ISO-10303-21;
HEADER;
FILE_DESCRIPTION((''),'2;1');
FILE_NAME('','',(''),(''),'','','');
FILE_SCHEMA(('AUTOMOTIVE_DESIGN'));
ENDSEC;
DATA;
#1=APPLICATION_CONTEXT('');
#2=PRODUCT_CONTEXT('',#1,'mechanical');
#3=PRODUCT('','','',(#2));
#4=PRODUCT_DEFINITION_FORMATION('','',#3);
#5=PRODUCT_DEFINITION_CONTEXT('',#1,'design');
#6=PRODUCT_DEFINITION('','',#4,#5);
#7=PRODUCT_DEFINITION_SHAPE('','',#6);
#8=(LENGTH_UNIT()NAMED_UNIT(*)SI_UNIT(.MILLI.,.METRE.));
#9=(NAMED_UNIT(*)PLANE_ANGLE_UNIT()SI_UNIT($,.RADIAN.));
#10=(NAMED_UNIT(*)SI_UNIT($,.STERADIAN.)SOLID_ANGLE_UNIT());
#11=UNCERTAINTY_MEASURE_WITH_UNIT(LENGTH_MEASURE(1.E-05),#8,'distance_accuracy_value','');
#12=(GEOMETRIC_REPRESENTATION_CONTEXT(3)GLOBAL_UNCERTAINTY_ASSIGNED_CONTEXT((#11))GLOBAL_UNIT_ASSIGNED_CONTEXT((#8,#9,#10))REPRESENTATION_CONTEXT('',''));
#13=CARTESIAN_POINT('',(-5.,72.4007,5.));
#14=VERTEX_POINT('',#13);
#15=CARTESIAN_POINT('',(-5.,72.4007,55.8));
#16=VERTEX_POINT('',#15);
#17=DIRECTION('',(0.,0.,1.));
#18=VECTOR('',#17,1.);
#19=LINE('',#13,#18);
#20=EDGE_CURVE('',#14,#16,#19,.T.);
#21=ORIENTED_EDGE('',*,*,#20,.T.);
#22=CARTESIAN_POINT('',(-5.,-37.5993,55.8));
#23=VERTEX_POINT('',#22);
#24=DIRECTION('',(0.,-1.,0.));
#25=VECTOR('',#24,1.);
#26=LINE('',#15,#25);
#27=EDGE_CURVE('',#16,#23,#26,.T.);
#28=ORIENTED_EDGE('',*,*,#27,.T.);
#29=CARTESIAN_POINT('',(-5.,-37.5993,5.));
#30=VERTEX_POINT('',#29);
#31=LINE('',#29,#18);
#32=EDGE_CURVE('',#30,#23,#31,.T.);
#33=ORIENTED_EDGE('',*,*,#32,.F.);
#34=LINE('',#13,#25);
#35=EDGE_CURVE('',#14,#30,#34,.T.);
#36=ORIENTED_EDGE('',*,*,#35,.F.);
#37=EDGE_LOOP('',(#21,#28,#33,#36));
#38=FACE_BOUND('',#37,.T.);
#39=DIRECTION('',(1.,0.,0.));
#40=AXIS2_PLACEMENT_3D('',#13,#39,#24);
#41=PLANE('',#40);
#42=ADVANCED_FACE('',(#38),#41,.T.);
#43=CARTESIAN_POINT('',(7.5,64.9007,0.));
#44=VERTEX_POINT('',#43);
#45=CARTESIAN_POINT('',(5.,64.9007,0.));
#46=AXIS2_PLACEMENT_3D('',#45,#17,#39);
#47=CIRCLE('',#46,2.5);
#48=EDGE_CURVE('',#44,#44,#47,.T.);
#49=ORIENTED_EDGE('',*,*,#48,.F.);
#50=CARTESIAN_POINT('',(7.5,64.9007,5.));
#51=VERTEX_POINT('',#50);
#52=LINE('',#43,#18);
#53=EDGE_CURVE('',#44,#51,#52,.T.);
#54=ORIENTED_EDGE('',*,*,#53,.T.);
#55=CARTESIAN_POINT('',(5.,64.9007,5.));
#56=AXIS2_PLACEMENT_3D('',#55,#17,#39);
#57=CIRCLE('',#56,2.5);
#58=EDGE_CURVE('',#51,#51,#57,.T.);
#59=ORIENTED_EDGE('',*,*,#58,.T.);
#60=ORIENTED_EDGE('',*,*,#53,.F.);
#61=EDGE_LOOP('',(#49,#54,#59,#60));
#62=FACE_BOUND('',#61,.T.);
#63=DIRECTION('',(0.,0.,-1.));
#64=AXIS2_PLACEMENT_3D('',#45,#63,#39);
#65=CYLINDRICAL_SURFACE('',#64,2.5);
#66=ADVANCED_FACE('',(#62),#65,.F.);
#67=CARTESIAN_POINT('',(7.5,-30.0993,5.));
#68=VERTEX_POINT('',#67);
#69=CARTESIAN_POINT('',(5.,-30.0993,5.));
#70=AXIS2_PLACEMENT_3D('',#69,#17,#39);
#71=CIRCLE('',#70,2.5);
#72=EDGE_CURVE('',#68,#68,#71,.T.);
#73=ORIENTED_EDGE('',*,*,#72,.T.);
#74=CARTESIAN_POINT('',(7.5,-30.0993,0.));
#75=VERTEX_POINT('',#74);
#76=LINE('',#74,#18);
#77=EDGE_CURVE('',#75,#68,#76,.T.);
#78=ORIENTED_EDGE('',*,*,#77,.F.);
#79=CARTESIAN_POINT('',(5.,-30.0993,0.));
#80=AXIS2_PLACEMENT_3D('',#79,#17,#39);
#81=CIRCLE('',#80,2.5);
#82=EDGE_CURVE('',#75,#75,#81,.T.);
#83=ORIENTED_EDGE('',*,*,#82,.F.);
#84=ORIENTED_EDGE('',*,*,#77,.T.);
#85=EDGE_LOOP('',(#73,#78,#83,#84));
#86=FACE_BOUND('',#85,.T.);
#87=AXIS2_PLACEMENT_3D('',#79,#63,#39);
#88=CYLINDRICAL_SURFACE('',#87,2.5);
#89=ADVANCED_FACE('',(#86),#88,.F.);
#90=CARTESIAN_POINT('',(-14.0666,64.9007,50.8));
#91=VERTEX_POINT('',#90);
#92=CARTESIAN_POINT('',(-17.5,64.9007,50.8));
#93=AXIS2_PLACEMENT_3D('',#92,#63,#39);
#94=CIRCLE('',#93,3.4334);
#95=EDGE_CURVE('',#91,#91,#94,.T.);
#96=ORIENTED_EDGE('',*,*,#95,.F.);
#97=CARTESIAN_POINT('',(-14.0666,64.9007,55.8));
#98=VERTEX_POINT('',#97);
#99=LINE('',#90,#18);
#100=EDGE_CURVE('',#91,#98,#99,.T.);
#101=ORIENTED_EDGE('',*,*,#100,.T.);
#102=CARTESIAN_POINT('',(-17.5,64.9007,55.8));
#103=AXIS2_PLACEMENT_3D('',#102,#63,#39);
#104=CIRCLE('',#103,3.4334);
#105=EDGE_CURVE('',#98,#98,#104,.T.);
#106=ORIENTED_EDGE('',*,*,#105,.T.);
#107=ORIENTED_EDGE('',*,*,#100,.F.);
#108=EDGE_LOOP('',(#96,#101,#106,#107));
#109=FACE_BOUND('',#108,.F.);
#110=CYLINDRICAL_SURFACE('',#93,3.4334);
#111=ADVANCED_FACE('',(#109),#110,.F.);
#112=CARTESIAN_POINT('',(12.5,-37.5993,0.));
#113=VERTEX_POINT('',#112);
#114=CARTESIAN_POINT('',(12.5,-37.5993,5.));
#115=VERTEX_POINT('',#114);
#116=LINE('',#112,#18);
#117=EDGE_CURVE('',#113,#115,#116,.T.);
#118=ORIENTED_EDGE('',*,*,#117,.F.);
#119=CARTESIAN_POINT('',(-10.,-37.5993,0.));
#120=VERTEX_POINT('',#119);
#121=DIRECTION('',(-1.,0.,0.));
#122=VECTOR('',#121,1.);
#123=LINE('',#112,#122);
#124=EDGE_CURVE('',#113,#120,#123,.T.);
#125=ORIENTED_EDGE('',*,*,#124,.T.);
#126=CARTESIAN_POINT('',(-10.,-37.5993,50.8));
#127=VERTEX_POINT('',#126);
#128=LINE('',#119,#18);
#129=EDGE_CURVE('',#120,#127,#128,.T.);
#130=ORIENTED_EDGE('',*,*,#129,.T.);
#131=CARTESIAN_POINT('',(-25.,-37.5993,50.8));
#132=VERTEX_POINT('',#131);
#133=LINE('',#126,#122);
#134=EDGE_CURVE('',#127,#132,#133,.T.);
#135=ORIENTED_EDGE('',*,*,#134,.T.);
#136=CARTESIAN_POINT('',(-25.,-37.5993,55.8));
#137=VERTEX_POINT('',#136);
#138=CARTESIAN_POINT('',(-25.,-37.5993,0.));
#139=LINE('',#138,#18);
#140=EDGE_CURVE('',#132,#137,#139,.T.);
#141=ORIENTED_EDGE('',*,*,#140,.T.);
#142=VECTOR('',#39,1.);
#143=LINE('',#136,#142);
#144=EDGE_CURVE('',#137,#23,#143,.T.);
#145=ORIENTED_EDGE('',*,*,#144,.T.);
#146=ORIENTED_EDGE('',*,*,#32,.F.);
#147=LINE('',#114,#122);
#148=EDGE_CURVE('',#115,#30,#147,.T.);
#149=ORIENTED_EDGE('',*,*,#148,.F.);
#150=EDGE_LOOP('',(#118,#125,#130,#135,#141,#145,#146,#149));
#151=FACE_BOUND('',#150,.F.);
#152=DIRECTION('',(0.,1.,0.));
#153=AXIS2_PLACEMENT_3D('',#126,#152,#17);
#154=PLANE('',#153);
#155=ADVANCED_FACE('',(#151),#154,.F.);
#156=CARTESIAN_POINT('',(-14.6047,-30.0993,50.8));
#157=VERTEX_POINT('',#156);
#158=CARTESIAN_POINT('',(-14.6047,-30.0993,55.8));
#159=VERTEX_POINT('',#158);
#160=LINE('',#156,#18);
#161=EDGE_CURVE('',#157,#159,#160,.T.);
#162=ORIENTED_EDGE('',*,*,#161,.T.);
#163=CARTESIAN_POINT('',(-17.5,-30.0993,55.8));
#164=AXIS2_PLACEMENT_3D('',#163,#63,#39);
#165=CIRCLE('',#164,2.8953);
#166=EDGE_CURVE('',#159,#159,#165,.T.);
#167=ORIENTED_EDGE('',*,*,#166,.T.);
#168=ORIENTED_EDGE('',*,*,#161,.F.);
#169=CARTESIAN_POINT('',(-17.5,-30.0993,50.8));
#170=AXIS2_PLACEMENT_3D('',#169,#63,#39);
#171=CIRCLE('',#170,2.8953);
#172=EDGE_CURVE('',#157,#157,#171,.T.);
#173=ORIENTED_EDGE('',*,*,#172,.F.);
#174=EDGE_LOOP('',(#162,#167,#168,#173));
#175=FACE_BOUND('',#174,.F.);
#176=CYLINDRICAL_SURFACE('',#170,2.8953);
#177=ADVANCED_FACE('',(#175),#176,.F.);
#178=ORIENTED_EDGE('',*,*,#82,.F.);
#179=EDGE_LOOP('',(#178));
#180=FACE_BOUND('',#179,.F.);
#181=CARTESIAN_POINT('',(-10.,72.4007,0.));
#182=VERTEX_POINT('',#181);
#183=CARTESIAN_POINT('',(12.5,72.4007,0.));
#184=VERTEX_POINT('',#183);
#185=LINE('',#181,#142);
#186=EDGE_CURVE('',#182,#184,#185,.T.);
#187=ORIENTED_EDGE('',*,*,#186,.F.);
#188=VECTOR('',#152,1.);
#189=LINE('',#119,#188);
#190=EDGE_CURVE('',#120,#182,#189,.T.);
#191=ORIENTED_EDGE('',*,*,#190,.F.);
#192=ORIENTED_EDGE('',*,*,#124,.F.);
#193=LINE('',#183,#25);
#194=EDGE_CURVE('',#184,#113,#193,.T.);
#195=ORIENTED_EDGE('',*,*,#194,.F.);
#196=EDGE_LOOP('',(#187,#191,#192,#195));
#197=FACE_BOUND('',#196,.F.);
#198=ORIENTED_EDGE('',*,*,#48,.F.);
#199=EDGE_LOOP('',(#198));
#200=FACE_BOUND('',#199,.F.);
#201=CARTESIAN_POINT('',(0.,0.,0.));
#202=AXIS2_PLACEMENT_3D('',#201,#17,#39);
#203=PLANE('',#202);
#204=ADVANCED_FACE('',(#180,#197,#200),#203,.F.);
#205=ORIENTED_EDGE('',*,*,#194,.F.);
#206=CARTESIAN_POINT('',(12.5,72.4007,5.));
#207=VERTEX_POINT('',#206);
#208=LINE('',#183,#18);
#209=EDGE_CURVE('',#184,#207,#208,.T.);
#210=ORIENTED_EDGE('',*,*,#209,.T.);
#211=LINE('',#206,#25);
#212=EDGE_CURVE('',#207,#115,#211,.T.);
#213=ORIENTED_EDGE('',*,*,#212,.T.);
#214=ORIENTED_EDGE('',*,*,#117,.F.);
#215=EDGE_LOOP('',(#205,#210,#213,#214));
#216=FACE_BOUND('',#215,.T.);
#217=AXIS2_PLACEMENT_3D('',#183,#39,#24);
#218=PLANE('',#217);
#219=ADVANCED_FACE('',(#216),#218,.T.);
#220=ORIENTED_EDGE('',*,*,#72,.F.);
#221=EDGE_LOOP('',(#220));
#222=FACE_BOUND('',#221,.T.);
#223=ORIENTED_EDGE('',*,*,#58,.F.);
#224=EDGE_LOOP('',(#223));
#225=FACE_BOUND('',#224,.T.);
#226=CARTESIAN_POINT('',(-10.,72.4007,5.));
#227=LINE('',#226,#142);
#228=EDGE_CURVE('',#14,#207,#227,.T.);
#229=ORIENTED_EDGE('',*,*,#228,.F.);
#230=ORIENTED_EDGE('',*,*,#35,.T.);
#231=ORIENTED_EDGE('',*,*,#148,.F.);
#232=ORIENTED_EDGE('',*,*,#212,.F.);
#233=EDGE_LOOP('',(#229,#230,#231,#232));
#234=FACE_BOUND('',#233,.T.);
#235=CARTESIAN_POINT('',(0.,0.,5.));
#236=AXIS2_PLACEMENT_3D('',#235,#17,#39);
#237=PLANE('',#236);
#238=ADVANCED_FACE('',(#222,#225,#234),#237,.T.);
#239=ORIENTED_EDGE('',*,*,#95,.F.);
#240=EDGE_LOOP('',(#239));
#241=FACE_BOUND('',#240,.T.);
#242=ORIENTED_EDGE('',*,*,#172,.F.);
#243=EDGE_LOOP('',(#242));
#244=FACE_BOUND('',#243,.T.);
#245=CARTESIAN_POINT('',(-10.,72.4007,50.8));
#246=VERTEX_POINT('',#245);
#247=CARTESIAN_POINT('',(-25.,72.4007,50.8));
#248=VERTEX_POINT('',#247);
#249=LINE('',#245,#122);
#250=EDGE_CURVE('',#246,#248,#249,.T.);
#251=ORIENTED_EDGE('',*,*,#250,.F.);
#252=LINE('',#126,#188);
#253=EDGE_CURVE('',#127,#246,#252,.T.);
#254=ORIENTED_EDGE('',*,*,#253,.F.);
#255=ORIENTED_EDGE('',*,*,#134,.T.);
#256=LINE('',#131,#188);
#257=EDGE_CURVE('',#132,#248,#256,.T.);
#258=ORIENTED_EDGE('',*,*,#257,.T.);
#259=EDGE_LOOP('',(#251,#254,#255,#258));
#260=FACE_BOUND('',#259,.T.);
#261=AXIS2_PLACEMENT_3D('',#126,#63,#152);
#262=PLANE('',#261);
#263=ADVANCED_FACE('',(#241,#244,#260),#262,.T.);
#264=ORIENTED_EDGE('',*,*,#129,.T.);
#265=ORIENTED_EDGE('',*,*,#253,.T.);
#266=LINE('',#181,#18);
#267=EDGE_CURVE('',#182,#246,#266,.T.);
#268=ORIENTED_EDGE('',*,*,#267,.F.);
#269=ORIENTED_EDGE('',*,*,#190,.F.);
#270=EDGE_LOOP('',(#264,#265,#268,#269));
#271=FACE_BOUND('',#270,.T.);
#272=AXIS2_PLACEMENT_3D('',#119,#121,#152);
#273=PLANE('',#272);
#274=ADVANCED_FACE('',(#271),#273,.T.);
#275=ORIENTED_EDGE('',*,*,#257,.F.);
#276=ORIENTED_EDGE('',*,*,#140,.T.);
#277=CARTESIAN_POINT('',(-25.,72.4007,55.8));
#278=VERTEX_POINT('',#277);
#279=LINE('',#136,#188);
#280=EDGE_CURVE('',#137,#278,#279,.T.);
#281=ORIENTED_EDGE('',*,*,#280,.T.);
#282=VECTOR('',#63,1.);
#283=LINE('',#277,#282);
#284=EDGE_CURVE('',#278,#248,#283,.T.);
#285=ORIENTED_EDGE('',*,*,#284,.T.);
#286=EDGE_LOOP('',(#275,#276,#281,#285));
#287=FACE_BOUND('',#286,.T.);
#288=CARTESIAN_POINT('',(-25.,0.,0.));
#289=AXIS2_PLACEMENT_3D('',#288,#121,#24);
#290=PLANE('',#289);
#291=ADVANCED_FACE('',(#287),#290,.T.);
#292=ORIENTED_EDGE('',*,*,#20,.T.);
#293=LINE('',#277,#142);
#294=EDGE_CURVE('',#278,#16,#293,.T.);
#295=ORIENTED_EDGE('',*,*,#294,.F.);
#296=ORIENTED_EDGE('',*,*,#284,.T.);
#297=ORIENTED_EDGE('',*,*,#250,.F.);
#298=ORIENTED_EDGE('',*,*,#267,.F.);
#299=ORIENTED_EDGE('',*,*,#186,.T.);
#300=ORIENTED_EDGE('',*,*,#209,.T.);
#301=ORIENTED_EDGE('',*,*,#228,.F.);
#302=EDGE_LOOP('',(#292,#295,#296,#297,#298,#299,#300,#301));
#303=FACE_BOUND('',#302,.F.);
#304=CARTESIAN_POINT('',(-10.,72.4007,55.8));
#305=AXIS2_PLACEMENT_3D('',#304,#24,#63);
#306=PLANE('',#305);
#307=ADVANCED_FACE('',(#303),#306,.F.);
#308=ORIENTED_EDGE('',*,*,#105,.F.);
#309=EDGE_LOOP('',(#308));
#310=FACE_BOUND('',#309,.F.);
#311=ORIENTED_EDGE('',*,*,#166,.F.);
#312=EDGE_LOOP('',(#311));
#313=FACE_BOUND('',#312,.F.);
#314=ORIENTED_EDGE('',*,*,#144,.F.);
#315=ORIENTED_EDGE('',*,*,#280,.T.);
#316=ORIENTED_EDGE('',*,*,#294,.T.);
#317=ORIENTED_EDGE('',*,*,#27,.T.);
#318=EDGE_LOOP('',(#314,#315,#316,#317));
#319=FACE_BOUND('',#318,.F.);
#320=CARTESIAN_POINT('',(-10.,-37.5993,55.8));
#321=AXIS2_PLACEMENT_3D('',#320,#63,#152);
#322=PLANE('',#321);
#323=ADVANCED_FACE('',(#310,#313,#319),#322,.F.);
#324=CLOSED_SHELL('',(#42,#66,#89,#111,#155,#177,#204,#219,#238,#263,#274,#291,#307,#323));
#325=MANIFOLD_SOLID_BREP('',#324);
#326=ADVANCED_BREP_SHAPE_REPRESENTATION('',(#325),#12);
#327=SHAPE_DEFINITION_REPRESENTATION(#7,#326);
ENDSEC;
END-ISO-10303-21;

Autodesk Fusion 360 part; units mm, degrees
sketch "Sketch1" plane through (0, 0, 0) normal (0, 0, 1) x (1, 0, 0)
  line L0 (-10, 72.4007) -> (12.5, 72.4007)
  line L1 (12.5, 72.4007) -> (12.5, -37.5993)
  line L2 (12.5, -37.5993) -> (-10, -37.5993)
  line L3 (-10, -37.5993) -> (-10, 72.4007)
  circle A0 centre (5, 64.9007) radius 2.5
  circle A1 centre (5, -30.0993) radius 2.5
  dimension "d1" = 5
  dimension "d2" = 5
  dimension "d3" = 95
  dimension "d4" = 15
  dimension "d5" = 7.5
  dimension "d6" = 7.5
  dimension "d7" = 7.5
extrude "Extrude1" add sketch "Sketch1" along normal blind 5
sketch "Sketch2" plane through (0, 0, 5) normal (0, 0, 1) x (-1, 0, 0)
  circle A0 centre (-5, -64.9007) radius 2.5
  circle A1 centre (-5, 30.0993) radius 2.5
  line L0 (10, 37.5993) -> (-12.5, 37.5993)
  line L1 (-12.5, 37.5993) -> (-12.5, -72.4007)
  line L2 (-12.5, -72.4007) -> (10, -72.4007)
  line L3 (10, -72.4007) -> (10, 37.5993)
  line L4 (10, -72.4007) -> (5, -72.4007)
  line L5 (5, -72.4007) -> (5, 37.5993)
  line L6 (5, 37.5993) -> (10, 37.5993)
  line L7 (10, 37.5993) -> (10, -72.4007)
  dimension "d10" = 5
extrude "Extrude2" add sketch "Sketch2" along normal blind 50.8 contours L0 L2 L3 L4 L5 L6 L7
sketch "Sketch3" plane through (-10, 0, 0) normal (-1, 0, 0) x (0, -1, 0)
  line L0 (-72.4007, 0) -> (37.5993, 0)
  line L1 (37.5993, 0) -> (37.5993, 55.8)
  line L2 (37.5993, 55.8) -> (-72.4007, 55.8)
  line L3 (-72.4007, 55.8) -> (-72.4007, 0)
  line L4 (-72.4007, 55.8) -> (37.5993, 55.8)
  line L5 (37.5993, 55.8) -> (37.5993, 50.8)
  line L6 (37.5993, 50.8) -> (-72.4007, 50.8)
  line L7 (-72.4007, 50.8) -> (-72.4007, 55.8)
  dimension "d13" = 5
extrude "Extrude3" add sketch "Sketch3" along normal blind 15 contours L1 L2 L3 L4 L5 L6 L7
sketch "Sketch4" plane through (0, 0, 50.8) normal (0, 0, -1) x (1, 0, 0)
  line L0 (-10, -72.4007) -> (-10, 37.5993)
  line L1 (-10, 37.5993) -> (-25, 37.5993)
  line L2 (-25, 37.5993) -> (-25, -72.4007)
  line L3 (-25, -72.4007) -> (-10, -72.4007)
  circle A0 centre (-17.5, 30.0993) radius 2.8953
  circle A1 centre (-17.5, -64.9007) radius 3.4334
  dimension "d16" = 95
  dimension "d17" = 7.5
  dimension "d18" = 7.5
extrude "Extrude4" cut sketch "Sketch4" against normal blind 20 contours A0 | A1
